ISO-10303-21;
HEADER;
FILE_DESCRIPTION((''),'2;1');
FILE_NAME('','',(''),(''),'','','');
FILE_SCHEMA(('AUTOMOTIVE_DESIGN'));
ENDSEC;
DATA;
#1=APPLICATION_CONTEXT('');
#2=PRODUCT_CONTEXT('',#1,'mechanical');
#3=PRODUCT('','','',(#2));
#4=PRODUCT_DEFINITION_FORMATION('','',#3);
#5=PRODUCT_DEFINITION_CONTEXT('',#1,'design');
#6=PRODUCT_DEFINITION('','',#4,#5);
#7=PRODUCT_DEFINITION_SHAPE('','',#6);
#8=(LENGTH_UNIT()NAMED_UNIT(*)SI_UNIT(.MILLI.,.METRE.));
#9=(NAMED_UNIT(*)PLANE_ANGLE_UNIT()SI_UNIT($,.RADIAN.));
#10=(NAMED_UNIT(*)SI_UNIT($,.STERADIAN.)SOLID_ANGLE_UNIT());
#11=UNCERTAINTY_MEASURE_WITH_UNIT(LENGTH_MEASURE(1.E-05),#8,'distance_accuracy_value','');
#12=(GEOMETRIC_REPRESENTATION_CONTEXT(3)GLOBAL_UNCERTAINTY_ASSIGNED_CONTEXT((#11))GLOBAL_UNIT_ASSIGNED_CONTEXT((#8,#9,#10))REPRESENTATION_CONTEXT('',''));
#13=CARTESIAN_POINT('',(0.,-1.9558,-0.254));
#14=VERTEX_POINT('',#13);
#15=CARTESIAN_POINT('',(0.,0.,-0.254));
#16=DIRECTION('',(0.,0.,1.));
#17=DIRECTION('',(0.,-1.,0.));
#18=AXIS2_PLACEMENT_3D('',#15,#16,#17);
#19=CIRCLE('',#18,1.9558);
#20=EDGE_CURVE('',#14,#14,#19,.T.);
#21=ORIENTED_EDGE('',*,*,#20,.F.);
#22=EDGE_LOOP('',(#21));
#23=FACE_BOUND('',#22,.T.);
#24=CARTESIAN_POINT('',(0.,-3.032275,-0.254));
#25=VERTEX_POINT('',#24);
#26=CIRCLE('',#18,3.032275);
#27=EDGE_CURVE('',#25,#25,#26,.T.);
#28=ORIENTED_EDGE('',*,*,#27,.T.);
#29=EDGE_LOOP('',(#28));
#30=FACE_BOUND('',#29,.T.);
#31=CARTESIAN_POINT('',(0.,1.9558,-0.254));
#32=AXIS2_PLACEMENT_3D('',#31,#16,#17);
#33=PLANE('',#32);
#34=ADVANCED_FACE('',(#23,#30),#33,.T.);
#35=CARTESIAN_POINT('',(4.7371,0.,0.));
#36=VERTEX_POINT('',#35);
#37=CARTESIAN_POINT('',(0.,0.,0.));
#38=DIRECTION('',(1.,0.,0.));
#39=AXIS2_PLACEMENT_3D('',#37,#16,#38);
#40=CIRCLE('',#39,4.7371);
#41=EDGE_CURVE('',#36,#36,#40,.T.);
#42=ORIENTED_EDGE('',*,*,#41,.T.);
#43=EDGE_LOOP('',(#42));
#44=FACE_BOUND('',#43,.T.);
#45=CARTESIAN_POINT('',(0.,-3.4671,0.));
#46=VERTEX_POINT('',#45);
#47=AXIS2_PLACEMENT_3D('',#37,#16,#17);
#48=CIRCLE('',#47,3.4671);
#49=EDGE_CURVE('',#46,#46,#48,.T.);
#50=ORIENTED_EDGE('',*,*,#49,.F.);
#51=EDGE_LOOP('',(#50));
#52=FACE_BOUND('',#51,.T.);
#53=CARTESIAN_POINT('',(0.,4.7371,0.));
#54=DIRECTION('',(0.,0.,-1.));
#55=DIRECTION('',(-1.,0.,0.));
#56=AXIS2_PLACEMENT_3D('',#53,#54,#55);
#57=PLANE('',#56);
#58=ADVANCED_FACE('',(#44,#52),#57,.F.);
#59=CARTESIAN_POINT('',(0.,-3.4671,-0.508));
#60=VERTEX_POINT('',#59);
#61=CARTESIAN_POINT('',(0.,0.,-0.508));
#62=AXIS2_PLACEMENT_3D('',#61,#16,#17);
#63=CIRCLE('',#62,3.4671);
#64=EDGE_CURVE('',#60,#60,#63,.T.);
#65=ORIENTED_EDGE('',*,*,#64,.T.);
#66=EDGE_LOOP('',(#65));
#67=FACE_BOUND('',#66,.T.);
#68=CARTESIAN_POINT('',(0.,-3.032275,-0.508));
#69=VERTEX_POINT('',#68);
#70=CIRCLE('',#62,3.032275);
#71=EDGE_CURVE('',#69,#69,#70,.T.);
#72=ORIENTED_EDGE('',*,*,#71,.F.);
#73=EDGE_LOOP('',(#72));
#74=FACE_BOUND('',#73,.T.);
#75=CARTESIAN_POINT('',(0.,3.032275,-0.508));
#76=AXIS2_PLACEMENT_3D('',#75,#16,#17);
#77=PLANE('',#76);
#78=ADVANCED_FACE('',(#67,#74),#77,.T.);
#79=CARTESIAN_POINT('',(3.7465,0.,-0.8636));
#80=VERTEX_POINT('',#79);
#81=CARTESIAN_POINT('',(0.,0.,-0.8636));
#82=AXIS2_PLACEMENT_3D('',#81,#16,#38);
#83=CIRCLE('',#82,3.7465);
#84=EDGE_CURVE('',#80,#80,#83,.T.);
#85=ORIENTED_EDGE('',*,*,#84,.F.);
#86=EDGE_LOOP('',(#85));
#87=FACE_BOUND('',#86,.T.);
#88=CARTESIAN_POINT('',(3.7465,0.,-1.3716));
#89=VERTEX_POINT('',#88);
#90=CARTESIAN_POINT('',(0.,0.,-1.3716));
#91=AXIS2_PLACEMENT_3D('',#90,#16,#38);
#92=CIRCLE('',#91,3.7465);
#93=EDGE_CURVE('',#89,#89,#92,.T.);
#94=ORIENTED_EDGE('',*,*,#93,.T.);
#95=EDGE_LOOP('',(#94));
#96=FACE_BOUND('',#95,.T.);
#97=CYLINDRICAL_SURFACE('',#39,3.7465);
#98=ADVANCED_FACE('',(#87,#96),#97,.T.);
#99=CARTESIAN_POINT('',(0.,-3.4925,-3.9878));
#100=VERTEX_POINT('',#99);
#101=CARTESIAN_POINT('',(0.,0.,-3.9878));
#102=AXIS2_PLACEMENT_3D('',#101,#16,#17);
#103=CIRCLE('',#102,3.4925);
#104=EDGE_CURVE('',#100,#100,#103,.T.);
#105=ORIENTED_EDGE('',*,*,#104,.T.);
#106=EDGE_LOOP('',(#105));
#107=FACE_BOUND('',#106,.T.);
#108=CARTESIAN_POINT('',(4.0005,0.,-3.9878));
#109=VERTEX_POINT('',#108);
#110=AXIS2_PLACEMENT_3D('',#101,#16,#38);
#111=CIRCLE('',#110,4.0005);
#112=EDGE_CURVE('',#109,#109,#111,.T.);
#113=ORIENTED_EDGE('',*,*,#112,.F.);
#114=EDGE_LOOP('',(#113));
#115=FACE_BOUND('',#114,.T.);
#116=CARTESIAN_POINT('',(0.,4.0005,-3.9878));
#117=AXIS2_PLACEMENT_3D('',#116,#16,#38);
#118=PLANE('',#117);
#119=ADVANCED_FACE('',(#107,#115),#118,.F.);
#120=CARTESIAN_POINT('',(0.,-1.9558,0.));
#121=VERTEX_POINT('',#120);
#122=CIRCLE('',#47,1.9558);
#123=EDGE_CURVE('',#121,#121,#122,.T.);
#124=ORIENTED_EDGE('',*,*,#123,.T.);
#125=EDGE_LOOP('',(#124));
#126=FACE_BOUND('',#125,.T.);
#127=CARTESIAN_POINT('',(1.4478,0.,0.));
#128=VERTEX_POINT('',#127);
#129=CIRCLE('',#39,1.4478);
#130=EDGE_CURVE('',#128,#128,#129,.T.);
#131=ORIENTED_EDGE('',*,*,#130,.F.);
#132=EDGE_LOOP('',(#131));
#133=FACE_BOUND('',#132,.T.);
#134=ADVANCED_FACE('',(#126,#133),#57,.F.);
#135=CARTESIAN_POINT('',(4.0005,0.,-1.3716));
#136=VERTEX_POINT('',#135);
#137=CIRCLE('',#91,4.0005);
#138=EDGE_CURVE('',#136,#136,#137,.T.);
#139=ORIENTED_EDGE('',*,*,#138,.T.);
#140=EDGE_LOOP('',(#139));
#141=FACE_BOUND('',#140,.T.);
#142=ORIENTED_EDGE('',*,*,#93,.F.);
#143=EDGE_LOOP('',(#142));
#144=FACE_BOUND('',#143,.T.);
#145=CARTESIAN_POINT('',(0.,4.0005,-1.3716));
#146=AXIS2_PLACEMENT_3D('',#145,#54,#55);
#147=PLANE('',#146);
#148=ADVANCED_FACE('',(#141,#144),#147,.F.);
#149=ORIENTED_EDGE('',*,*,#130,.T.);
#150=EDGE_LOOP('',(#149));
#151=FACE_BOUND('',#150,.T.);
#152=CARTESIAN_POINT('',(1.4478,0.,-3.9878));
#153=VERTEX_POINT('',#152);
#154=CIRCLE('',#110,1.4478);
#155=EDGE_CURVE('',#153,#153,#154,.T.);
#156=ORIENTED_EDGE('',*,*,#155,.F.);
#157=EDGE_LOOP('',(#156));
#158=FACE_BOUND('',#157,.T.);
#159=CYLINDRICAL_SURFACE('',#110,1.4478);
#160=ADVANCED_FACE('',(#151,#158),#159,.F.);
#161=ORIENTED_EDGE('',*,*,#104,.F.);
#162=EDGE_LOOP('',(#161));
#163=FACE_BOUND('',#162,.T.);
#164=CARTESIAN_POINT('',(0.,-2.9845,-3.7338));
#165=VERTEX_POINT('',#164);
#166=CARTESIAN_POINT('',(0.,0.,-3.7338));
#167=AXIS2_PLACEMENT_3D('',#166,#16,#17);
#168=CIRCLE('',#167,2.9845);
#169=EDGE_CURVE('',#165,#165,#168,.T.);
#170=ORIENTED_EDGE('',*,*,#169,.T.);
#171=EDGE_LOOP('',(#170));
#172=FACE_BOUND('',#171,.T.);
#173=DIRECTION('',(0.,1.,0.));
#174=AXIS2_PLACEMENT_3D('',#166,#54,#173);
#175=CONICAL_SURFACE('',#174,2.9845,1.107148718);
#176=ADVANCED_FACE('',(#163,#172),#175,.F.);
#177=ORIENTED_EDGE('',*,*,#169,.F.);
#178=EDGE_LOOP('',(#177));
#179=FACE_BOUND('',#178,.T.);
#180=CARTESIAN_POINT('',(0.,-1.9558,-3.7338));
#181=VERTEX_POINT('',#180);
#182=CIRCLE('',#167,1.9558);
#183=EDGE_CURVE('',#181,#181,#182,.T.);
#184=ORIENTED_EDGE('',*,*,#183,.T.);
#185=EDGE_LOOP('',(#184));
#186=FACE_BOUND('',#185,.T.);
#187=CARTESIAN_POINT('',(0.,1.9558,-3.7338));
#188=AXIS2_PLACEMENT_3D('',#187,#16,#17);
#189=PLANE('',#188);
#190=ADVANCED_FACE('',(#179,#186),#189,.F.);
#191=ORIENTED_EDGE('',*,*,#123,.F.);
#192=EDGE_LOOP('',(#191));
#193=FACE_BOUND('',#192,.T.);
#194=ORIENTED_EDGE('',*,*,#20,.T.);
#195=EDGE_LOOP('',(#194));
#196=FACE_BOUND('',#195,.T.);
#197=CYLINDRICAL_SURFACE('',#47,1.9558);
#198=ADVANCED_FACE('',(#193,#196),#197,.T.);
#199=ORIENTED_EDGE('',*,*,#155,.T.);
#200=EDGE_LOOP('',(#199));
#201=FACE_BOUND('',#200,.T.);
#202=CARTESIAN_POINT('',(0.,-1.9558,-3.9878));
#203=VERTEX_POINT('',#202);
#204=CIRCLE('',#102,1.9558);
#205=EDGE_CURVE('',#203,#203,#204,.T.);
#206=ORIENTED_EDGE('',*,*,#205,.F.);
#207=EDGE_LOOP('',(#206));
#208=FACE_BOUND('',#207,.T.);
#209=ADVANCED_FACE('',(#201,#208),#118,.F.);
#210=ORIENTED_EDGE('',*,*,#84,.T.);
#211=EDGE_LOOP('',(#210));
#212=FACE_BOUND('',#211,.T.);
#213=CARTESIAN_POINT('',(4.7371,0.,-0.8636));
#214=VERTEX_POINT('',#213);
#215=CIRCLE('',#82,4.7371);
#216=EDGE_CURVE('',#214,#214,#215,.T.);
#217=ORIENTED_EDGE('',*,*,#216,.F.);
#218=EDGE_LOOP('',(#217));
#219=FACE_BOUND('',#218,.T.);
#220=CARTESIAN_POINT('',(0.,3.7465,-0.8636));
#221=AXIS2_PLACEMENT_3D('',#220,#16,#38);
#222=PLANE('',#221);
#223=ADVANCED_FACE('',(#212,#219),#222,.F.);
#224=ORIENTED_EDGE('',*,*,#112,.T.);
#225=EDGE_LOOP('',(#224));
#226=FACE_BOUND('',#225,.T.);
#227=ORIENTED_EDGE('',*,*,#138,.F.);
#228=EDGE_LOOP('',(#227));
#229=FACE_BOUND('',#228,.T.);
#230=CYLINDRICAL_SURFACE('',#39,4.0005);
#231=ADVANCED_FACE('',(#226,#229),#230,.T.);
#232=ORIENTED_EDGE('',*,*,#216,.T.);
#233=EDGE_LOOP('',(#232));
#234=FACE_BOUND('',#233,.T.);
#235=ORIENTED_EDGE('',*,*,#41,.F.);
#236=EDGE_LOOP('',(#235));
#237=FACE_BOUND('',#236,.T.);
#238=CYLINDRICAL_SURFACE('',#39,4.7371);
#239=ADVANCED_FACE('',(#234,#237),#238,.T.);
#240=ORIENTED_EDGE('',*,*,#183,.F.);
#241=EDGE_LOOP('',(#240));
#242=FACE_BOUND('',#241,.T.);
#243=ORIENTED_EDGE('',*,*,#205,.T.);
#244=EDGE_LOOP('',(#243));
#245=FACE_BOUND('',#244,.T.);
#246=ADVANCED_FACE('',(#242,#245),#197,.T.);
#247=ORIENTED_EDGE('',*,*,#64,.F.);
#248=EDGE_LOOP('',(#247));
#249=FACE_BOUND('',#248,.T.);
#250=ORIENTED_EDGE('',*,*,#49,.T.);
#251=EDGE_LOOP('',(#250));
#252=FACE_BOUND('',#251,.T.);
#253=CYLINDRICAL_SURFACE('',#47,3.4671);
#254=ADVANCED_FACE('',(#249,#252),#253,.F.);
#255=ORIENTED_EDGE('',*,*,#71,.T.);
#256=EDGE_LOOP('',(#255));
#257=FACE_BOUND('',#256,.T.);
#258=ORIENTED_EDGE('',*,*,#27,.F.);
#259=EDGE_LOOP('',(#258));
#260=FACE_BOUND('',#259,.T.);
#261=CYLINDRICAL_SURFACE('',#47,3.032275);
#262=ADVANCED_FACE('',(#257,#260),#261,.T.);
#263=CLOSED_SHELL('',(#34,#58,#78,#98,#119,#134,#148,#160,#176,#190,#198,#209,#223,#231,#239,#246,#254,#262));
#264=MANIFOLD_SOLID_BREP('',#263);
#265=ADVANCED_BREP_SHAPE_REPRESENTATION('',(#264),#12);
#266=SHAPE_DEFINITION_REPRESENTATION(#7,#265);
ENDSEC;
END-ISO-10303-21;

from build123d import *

# Parameters (mm, degrees)
SKETCH2_R      = 1.4478
EXTRUDE1_DEPTH = 4.9878


with BuildPart() as part:
    # Sketch1 → Revolve1 (revolve)
    with BuildSketch(Plane(origin=(0, 0, 0), x_dir=(0, 0, -1), z_dir=(1, 0, 0))):
        Polygon((0, 4.7371), (0, 0), (3.9878, 0), (3.9878, 4.0005), (1.3716, 4.0005), (1.3716, 3.7465), (0.8636, 3.7465), (0.8636, 4.7371), align=None)
    revolve(axis=Axis((0, 0, 0), (0, 0, -1)))

    # Sketch2 → Extrude1 (cut, through all)
    with BuildSketch(Plane.XY):
        Circle(SKETCH2_R)
    extrude(amount=-EXTRUDE1_DEPTH, mode=Mode.SUBTRACT)

    # Sketch3 → Cut-Revolve1 (revolve, cut)
    with BuildSketch(Plane(origin=(0, 0, 0), x_dir=(0, 0, -1), z_dir=(1, 0, 0))):
        Polygon((3.9878, 1.9558), (3.7338, 1.9558), (3.7338, 2.9845), (3.9878, 3.4925), align=None)
        Polygon((0, 1.9558), (0.254, 1.9558), (0.254, 3.032275316), (0.508, 3.032275316), (0.508, 3.4671), (0, 3.4671), align=None)
    revolve(axis=Axis((0, 0, 0), (0, 0, -1)), mode=Mode.SUBTRACT)


solid = part.part
